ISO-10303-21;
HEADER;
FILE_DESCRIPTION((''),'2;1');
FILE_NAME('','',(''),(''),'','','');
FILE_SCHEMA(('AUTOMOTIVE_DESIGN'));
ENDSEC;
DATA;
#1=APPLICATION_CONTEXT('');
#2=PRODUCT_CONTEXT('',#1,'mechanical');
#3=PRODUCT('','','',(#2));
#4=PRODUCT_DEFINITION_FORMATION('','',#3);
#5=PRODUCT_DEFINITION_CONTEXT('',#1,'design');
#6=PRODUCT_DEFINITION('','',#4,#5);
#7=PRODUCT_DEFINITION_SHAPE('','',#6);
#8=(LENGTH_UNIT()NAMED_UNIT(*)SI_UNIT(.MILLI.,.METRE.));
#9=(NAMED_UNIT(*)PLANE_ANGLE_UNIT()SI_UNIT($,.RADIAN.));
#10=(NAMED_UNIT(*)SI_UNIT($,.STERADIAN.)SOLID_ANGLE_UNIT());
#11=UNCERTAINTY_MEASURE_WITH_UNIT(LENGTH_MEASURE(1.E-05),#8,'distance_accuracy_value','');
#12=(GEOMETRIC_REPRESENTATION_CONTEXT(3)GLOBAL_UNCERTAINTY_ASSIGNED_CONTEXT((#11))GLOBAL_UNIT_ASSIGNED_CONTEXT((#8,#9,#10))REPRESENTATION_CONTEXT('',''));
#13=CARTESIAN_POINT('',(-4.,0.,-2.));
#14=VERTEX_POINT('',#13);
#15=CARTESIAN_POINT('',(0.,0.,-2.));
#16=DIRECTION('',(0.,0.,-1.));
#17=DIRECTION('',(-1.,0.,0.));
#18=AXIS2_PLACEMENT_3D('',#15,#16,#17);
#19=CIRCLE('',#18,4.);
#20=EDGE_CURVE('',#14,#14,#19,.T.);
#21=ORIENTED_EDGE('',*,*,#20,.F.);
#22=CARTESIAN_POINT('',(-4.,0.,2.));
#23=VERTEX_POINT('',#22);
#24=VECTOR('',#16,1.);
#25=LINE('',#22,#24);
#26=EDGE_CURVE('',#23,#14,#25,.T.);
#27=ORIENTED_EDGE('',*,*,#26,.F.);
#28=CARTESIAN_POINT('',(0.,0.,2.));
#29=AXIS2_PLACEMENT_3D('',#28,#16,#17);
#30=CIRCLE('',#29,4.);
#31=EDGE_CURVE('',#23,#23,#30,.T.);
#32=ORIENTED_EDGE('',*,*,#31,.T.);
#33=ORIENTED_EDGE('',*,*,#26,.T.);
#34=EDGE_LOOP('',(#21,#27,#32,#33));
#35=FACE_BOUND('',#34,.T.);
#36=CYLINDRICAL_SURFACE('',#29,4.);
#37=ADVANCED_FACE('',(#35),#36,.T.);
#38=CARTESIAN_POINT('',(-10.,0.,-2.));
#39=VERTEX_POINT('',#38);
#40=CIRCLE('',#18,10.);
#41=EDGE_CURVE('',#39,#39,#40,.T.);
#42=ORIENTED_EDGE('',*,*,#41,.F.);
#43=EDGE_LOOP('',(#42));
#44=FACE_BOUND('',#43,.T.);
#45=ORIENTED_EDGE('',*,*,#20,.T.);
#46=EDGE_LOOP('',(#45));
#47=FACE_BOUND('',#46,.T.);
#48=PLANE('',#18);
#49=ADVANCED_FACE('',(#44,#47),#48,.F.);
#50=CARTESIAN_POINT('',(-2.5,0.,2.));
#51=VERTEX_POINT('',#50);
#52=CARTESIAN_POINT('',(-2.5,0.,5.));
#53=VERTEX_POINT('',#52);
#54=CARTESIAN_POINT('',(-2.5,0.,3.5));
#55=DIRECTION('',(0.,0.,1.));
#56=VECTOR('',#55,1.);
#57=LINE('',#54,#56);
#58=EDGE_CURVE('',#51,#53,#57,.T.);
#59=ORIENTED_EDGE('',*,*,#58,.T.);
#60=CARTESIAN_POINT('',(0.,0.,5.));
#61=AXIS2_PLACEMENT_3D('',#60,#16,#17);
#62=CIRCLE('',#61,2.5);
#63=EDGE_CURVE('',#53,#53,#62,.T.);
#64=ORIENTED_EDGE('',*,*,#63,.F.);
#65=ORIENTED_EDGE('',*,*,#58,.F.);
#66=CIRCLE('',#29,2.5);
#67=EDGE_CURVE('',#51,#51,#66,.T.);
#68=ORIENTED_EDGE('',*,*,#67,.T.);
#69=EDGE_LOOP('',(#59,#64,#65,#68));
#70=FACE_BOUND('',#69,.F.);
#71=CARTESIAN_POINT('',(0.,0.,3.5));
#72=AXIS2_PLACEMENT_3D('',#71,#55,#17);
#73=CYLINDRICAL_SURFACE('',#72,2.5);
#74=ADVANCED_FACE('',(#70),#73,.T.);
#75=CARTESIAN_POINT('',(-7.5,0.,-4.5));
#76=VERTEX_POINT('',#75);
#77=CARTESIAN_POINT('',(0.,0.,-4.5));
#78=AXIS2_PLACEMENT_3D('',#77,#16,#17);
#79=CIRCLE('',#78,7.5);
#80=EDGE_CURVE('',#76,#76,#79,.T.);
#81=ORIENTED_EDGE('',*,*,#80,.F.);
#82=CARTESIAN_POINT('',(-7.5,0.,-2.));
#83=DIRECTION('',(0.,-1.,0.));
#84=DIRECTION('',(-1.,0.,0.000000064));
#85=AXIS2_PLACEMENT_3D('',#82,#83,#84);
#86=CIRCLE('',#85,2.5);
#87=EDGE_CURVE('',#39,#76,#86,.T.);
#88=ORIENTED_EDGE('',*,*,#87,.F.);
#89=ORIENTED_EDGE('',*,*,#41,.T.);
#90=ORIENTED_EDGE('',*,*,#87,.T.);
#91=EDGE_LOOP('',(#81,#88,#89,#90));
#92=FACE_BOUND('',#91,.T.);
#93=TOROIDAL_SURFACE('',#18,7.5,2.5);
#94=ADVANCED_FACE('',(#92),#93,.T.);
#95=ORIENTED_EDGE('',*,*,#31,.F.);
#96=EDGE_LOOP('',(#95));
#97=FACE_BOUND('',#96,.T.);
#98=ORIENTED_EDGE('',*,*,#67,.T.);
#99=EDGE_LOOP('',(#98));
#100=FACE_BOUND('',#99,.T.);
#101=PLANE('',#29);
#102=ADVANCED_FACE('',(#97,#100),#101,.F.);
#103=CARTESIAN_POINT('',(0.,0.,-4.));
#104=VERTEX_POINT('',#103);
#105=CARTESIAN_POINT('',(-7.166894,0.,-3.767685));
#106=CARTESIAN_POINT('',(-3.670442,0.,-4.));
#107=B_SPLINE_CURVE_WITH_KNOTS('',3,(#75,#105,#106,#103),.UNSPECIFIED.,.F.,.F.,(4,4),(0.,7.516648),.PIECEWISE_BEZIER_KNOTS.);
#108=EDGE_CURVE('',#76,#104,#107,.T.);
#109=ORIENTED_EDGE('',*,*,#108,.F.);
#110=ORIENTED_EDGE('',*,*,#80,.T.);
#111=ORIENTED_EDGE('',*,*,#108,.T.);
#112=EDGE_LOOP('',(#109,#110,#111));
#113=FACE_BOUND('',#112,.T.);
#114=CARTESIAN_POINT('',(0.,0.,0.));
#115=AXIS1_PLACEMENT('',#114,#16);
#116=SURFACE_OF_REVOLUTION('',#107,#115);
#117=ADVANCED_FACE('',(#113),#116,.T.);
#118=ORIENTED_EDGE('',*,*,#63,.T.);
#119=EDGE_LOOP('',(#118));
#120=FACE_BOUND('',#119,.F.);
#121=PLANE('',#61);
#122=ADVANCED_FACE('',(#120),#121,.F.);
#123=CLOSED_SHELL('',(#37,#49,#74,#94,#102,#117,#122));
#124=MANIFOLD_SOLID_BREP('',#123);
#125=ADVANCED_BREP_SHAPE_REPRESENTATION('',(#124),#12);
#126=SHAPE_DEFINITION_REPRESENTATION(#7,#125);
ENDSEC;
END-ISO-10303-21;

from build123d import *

# Parameters (mm, degrees)
F0_W = 2.5
F0_H = 3


with BuildPart() as f1:
    # F0 (on Front) → F1 (revolve)
    with BuildSketch(Plane.XZ):
        with BuildLine():
            Line((0, -2), (-4, -2))
            Line((-4, -2), (-10, -2))
            ThreePointArc((-10, -2), (-9.267767, -3.767767), (-7.5, -4.5))
            add(Edge.make_bspline(
                [(-7.5, -4.5), (-7.166894, -3.767685), (-3.670442, -4), (0, -4)],
                knots=[0, 0, 0, 0, 7.516648, 7.516648, 7.516648, 7.516648], degree=3))
            Line((0, -4), (0, -2))
        make_face()
        Polygon((-2.5, 2), (-4, 2), (-4, -2), (0, -2), (0, 0), (0, 2), align=None)
        with Locations((-1.25, 3.5)):
            Rectangle(F0_W, F0_H)
    revolve(axis=Axis((0, 0, 0), (0, 0, -1)))


solid = f1.part
